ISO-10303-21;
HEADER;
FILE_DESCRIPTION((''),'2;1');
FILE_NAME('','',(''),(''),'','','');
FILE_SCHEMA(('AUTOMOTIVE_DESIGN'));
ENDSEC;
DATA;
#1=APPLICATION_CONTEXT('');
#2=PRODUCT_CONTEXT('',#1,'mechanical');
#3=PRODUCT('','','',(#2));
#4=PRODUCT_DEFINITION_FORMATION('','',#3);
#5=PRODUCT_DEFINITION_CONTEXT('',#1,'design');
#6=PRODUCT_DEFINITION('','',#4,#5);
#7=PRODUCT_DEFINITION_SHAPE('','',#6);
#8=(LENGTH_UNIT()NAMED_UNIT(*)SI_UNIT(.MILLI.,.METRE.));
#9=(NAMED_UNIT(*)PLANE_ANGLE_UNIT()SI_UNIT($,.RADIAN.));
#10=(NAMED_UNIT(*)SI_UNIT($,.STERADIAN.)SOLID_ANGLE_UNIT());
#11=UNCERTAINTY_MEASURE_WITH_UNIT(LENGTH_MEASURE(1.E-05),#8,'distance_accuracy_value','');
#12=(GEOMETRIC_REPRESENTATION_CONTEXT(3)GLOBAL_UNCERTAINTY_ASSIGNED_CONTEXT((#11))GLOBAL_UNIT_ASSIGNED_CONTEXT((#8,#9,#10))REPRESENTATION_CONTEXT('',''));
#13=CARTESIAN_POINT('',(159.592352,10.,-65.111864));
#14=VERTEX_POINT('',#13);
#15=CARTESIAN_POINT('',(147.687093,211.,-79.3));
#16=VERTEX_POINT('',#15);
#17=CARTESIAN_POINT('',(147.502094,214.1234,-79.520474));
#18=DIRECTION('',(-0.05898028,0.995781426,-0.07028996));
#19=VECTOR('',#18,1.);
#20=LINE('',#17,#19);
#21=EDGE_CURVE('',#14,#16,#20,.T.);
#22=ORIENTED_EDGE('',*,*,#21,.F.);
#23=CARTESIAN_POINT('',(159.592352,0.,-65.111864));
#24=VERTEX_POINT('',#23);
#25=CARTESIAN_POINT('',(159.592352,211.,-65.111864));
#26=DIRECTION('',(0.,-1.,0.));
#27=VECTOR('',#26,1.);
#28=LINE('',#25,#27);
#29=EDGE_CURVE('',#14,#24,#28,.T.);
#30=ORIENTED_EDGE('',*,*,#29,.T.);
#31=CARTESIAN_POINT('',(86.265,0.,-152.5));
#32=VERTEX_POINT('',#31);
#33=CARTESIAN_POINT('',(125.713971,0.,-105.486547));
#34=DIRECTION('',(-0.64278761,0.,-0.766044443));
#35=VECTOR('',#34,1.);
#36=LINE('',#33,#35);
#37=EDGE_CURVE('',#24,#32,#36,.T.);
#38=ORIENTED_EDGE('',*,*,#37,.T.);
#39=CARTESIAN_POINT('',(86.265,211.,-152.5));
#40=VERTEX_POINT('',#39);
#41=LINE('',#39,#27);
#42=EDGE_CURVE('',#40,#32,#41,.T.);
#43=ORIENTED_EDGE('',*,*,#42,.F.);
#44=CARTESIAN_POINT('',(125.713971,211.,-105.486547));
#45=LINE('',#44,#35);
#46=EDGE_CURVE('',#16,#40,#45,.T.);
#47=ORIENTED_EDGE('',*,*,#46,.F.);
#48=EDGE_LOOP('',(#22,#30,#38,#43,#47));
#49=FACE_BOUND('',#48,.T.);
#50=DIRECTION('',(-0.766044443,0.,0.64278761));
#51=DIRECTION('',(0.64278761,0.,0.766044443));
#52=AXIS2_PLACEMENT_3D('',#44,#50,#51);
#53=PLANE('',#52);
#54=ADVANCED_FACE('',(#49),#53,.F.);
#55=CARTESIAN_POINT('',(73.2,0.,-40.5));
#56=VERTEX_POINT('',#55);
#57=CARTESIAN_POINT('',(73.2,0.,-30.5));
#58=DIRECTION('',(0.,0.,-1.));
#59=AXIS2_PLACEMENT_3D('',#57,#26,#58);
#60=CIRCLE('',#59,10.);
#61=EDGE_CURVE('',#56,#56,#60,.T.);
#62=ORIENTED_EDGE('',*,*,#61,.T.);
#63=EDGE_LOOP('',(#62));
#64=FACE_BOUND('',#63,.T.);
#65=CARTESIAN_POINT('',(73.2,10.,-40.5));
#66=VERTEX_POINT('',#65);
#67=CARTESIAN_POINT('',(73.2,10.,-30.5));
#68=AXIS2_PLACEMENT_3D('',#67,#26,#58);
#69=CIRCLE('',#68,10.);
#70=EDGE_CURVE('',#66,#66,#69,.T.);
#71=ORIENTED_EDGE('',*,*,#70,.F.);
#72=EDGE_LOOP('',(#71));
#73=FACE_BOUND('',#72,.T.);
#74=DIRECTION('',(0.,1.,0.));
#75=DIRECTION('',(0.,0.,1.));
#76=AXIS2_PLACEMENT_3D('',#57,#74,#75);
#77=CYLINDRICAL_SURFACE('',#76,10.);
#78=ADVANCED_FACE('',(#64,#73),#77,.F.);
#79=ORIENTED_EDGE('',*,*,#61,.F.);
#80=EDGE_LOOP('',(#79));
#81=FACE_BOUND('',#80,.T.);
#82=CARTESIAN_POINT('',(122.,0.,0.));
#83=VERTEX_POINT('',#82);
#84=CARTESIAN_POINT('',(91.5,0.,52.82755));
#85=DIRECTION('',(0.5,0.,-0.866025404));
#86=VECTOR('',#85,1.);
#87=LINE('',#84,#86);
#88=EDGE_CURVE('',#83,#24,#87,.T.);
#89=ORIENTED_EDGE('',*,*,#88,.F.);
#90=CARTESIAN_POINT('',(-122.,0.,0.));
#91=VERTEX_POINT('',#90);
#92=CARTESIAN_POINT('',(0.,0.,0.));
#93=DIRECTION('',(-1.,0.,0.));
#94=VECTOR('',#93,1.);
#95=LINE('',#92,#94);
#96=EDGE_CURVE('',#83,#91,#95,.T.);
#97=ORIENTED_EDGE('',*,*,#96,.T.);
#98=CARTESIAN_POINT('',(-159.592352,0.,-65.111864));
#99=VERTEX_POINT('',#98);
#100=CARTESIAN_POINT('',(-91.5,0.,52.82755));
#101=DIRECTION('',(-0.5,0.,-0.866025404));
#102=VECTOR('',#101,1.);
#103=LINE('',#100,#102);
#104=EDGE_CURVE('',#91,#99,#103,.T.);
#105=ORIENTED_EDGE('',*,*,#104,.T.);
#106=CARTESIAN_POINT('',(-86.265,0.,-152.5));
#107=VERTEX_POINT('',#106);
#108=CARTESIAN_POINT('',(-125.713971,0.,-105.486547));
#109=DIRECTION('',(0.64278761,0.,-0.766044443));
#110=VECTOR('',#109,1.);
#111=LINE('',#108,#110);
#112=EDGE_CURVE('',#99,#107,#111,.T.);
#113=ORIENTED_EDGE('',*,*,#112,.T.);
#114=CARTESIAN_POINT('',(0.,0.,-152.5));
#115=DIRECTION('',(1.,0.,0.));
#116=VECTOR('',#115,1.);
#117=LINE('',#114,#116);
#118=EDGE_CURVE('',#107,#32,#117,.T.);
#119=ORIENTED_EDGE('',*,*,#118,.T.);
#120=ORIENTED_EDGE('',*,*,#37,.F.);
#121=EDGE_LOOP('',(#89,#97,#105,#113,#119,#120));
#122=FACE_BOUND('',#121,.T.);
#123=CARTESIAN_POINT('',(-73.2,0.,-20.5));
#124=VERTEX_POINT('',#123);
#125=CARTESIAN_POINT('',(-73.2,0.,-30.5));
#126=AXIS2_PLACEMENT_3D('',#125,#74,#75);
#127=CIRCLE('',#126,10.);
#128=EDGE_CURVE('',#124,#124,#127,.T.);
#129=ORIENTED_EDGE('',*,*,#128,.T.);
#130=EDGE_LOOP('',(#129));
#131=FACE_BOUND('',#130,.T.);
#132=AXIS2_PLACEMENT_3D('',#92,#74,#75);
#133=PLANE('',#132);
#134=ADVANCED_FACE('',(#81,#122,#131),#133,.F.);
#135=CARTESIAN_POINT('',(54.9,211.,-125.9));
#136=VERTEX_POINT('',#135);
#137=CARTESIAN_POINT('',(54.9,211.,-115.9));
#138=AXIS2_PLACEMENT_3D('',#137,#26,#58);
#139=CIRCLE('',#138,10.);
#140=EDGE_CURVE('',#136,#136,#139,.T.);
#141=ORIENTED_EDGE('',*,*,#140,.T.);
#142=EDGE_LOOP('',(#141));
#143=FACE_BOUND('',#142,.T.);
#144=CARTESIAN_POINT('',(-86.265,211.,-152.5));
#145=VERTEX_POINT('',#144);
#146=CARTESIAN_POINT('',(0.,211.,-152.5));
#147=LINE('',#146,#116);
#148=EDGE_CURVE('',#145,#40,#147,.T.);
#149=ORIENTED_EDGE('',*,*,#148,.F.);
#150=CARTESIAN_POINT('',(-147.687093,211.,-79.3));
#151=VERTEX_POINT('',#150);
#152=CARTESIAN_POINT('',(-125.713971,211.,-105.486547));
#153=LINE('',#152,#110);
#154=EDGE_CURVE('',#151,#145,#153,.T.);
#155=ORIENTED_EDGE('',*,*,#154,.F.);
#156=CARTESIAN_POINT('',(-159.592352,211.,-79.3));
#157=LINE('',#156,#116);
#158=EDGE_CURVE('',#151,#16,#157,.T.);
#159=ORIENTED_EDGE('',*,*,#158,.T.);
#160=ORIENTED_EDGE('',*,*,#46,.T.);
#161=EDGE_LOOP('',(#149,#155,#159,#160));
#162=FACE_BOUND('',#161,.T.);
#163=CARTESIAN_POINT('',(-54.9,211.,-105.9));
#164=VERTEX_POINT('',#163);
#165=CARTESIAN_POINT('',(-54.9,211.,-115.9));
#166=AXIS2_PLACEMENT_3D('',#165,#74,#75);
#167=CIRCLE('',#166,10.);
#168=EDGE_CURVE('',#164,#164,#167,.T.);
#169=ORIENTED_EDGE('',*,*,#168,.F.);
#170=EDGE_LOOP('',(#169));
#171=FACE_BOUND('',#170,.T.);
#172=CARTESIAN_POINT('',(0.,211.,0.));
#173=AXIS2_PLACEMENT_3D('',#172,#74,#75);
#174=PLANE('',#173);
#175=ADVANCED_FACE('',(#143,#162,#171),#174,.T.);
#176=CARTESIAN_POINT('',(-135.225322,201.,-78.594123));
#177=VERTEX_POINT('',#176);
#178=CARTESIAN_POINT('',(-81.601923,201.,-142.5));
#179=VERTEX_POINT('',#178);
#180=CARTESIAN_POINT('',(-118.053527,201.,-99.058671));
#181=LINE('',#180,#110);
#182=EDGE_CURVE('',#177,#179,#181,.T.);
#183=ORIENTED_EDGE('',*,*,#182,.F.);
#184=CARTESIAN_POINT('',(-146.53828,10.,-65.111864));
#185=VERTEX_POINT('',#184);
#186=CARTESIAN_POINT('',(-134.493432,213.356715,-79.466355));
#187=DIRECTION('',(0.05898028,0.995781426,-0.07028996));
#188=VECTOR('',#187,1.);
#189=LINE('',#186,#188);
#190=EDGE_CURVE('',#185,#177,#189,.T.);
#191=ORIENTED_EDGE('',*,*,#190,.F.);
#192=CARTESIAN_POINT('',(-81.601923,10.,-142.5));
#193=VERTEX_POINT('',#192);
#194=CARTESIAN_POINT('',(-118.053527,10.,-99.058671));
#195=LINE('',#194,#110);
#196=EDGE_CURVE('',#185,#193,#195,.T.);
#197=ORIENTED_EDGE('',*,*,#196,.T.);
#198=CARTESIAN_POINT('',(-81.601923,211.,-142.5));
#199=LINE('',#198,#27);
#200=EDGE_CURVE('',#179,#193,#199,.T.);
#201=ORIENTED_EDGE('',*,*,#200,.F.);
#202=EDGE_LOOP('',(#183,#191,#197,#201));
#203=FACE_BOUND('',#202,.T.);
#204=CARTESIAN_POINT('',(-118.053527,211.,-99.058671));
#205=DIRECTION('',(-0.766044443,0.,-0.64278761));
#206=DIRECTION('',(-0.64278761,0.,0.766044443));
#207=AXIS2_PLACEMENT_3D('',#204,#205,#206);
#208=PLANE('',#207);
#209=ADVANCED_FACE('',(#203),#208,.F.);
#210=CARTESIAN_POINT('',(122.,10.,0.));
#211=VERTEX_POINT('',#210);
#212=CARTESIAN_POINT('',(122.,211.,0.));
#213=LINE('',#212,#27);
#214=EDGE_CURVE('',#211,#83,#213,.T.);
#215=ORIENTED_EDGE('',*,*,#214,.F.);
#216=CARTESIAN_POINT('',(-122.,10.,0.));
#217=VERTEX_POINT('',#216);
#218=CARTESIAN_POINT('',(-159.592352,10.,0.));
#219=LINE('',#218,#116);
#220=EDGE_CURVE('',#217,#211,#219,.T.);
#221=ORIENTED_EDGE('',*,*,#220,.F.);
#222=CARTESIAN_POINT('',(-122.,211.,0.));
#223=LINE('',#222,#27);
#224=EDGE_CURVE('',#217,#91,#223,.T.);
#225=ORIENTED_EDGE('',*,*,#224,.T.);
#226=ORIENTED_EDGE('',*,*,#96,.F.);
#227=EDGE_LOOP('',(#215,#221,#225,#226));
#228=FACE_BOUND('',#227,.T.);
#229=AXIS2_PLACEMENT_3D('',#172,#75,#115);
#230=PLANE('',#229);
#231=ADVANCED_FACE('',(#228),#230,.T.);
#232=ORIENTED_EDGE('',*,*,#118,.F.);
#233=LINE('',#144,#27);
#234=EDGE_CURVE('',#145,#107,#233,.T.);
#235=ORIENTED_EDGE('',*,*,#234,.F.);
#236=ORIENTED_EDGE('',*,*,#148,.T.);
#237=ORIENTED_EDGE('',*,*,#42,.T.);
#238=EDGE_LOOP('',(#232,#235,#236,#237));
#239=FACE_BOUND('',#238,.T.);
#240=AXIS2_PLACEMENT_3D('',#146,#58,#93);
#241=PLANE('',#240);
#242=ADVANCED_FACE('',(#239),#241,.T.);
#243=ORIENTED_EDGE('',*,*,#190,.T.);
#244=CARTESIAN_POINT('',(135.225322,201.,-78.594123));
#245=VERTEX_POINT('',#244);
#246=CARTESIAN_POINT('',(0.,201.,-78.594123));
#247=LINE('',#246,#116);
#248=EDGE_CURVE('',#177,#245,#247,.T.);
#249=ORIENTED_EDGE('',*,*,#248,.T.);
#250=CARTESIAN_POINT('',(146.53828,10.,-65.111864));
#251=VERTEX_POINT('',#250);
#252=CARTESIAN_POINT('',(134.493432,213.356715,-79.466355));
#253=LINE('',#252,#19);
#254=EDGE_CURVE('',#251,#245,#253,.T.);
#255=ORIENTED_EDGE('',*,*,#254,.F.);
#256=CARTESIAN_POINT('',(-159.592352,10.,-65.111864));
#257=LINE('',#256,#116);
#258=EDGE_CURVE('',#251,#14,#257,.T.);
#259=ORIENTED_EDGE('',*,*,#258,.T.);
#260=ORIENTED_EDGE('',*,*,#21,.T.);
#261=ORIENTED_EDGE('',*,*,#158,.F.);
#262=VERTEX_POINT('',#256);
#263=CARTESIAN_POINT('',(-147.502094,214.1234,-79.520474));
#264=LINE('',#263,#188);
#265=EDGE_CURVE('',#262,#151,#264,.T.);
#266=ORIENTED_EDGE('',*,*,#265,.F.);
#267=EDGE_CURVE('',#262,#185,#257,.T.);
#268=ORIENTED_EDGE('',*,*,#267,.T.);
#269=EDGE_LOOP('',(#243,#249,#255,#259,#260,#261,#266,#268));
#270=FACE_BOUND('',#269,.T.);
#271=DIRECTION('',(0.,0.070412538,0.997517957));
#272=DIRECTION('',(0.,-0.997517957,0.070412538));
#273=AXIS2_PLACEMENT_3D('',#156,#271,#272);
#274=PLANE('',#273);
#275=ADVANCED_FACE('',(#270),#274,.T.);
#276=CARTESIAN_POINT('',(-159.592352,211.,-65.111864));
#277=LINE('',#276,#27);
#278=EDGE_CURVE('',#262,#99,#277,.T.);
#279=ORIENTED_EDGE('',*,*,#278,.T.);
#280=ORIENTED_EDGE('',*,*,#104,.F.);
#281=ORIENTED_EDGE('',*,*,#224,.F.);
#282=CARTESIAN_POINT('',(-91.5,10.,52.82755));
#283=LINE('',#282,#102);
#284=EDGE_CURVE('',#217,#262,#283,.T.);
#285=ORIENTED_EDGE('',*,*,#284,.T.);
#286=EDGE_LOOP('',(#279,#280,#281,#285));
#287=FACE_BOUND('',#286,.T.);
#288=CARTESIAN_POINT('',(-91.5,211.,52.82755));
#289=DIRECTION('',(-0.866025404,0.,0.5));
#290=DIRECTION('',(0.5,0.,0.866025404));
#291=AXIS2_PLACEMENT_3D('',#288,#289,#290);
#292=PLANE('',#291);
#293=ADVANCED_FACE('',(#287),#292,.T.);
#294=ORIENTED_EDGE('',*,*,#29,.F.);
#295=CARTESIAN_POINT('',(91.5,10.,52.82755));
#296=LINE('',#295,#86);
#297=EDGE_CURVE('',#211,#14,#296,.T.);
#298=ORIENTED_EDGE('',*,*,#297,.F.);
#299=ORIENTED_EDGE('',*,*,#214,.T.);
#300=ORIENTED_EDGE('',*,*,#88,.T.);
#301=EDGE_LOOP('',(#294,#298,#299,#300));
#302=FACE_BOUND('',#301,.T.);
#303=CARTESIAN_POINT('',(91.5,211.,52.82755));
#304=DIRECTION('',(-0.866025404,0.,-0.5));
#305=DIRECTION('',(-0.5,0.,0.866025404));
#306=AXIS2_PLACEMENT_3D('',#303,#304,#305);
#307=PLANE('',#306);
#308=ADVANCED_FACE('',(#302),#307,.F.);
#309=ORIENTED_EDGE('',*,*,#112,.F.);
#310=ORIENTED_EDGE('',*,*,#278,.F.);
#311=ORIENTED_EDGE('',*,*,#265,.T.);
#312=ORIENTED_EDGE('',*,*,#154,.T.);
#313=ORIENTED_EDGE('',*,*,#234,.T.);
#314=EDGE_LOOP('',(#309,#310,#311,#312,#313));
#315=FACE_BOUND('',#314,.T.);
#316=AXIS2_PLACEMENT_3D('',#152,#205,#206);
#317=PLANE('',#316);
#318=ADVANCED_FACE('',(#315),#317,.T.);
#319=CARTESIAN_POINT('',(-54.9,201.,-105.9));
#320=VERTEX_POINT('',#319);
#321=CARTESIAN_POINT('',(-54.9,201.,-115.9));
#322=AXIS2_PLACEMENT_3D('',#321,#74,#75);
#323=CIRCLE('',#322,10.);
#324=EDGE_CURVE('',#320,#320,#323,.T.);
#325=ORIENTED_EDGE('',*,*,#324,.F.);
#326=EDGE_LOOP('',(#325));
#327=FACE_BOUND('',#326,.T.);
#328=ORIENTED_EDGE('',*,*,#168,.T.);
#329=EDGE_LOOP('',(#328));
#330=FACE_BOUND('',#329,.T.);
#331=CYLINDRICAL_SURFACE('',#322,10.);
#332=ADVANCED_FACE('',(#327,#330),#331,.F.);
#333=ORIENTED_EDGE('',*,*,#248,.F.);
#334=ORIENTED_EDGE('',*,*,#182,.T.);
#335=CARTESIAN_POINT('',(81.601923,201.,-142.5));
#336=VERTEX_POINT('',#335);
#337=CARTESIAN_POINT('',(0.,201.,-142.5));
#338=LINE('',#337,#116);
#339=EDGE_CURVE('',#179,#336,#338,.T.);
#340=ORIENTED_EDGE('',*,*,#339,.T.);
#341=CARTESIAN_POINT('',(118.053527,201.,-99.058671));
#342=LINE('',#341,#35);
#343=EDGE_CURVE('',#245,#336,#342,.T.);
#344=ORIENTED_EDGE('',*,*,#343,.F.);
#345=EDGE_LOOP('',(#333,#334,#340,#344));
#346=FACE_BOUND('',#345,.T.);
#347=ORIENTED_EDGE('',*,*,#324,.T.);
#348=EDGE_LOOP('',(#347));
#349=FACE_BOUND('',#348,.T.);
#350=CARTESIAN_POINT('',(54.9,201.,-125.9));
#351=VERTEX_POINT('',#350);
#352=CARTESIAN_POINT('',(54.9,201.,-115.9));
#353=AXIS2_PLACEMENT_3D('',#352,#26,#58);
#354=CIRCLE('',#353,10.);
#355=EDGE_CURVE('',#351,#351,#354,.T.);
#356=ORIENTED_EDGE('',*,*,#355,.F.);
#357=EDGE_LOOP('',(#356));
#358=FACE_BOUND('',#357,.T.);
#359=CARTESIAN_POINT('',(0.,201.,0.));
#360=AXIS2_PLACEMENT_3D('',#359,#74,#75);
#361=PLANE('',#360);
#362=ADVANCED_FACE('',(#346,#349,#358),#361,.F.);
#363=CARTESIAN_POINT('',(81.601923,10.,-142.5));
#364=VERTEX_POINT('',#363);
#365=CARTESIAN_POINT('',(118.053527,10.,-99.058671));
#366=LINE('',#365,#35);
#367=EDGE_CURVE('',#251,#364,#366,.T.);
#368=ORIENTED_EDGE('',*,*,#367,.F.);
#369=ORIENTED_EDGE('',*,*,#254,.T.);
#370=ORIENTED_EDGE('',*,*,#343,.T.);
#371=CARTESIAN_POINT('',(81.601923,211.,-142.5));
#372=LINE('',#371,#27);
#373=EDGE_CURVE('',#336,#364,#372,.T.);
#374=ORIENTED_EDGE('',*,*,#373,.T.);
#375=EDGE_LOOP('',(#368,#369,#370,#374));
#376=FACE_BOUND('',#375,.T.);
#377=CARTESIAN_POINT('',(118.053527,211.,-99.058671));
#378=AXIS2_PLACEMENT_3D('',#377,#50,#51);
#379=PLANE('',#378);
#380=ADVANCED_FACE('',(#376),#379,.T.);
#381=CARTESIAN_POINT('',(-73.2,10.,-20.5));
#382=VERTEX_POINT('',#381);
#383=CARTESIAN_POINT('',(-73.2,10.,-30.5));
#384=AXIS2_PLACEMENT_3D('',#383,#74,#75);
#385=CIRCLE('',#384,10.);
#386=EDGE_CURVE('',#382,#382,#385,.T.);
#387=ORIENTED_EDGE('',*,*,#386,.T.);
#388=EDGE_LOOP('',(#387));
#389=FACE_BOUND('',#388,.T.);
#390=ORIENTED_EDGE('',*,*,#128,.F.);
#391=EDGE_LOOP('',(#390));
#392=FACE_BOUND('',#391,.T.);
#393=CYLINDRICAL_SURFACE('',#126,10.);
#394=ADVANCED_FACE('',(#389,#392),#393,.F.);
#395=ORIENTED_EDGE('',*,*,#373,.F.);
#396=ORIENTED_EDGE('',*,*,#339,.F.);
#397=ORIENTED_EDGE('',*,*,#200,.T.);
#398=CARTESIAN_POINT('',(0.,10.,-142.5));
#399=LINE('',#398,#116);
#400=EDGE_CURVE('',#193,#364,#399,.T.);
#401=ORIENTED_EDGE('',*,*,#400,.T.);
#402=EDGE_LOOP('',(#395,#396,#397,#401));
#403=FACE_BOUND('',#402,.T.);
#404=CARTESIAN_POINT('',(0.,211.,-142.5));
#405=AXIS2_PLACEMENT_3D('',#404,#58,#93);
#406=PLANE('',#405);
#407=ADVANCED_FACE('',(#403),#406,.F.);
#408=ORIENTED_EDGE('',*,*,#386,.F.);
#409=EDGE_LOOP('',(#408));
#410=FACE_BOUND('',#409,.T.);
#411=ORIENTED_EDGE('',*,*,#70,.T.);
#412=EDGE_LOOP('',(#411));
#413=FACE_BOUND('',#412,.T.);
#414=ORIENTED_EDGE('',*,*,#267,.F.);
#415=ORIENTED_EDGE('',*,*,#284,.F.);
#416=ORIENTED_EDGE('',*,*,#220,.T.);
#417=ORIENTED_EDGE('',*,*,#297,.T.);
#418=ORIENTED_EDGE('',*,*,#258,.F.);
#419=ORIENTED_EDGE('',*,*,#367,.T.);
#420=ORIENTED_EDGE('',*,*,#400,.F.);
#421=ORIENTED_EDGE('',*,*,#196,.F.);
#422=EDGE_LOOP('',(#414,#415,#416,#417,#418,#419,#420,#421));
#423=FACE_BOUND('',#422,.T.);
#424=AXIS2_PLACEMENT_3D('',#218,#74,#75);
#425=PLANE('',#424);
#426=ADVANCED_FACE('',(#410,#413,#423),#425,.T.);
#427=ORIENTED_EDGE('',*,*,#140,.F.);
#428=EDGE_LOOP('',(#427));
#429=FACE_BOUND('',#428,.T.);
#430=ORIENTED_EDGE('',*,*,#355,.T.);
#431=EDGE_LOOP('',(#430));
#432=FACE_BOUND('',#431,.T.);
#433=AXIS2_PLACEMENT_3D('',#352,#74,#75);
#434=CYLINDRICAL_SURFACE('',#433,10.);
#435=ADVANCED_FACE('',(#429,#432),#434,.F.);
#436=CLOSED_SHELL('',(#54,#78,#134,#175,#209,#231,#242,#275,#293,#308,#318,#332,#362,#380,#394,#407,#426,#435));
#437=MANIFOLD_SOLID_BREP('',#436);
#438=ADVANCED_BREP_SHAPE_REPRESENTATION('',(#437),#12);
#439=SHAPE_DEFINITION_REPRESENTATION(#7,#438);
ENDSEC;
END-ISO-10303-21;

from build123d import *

# Parameters (mm, degrees)
EXTRUDE_1_DEPTH          = 211
SHELL_2_T                = 10
CUT_EXTRUDE_2_DEPTH      = 306.363666708
CUT_EXTRUDE_2_DEPTH_BACK = 306.363666708
SKETCH_8_R               = 10
CUT_EXTRUDE_6_DEPTH      = 10
SKETCH_13_R              = 10
CUT_EXTRUDE_7_DEPTH      = 10


with BuildPart() as part:
    # 草图1 → 凸台-拉伸1 (new body)
    with BuildSketch(Plane(origin=(0, 0, 0), x_dir=(1, 0, 0), z_dir=(0, 1, 0))):
        Polygon((0, 152.5), (0, 0), (122, 0), (159.592352403, 65.111864338), (86.265, 152.5), align=None)
        Polygon((-122, 0), (0, 0), (0, 152.5), (-86.265, 152.5), (-159.592352403, 65.111864338), align=None)
    extrude(amount=EXTRUDE_1_DEPTH)

    # 抽壳2 (no face opened: a closed hollow body)
    add(offset(amount=-SHELL_2_T, mode=Mode.PRIVATE), mode=Mode.SUBTRACT)

    # 草图5 → 切除-拉伸-薄壁2 (cut, two sides)
    with BuildSketch(Plane(origin=(0, 0, 0), x_dir=(0, 0, -1), z_dir=(1, 0, 0))) as cut_extrude_2_sk:
        Polygon((79.3, 211), (65.111864338, 10), (0, 10), (0, 211), (10, 211), (10, 20), (55.792859546, 20), (69.32482043, 211.704125378), align=None)
    extrude(amount=CUT_EXTRUDE_2_DEPTH, mode=Mode.SUBTRACT)
    extrude(cut_extrude_2_sk.sketch, amount=-CUT_EXTRUDE_2_DEPTH_BACK, mode=Mode.SUBTRACT)


with BuildPart() as cut_extrude_2_kept_piece:
    # of the separate pieces the step leaves, the one the design keeps (cut_extrude_2_pieces_kept)
    add(part.part.solids().sort_by_distance((122, 0, 0))[0])

    # 草图8 → 切除-拉伸6 (cut)
    with BuildSketch(Plane(origin=(0, 211, 0), x_dir=(1, 0, 0), z_dir=(0, 1, 0))):
        with Locations(Location((-54.9, 115.9, 0), (0, 0, 270))):
            Circle(SKETCH_8_R)
        with Locations(Location((54.9, 115.9, 0), (0, 0, 90))):
            Circle(SKETCH_8_R)
    extrude(amount=-CUT_EXTRUDE_6_DEPTH, mode=Mode.SUBTRACT)

    # 草图13 → 切除-拉伸7 (cut)
    with BuildSketch(Plane(origin=(0, 10, 0), x_dir=(1, 0, 0), z_dir=(0, 1, 0))):
        with Locations(Location((-73.2, 30.5, 0), (0, 0, 270))):
            Circle(SKETCH_13_R)
        with Locations(Location((73.2, 30.5, 0), (0, 0, 90))):
            Circle(SKETCH_13_R)
    extrude(amount=-CUT_EXTRUDE_7_DEPTH, mode=Mode.SUBTRACT)


solid = cut_extrude_2_kept_piece.part
